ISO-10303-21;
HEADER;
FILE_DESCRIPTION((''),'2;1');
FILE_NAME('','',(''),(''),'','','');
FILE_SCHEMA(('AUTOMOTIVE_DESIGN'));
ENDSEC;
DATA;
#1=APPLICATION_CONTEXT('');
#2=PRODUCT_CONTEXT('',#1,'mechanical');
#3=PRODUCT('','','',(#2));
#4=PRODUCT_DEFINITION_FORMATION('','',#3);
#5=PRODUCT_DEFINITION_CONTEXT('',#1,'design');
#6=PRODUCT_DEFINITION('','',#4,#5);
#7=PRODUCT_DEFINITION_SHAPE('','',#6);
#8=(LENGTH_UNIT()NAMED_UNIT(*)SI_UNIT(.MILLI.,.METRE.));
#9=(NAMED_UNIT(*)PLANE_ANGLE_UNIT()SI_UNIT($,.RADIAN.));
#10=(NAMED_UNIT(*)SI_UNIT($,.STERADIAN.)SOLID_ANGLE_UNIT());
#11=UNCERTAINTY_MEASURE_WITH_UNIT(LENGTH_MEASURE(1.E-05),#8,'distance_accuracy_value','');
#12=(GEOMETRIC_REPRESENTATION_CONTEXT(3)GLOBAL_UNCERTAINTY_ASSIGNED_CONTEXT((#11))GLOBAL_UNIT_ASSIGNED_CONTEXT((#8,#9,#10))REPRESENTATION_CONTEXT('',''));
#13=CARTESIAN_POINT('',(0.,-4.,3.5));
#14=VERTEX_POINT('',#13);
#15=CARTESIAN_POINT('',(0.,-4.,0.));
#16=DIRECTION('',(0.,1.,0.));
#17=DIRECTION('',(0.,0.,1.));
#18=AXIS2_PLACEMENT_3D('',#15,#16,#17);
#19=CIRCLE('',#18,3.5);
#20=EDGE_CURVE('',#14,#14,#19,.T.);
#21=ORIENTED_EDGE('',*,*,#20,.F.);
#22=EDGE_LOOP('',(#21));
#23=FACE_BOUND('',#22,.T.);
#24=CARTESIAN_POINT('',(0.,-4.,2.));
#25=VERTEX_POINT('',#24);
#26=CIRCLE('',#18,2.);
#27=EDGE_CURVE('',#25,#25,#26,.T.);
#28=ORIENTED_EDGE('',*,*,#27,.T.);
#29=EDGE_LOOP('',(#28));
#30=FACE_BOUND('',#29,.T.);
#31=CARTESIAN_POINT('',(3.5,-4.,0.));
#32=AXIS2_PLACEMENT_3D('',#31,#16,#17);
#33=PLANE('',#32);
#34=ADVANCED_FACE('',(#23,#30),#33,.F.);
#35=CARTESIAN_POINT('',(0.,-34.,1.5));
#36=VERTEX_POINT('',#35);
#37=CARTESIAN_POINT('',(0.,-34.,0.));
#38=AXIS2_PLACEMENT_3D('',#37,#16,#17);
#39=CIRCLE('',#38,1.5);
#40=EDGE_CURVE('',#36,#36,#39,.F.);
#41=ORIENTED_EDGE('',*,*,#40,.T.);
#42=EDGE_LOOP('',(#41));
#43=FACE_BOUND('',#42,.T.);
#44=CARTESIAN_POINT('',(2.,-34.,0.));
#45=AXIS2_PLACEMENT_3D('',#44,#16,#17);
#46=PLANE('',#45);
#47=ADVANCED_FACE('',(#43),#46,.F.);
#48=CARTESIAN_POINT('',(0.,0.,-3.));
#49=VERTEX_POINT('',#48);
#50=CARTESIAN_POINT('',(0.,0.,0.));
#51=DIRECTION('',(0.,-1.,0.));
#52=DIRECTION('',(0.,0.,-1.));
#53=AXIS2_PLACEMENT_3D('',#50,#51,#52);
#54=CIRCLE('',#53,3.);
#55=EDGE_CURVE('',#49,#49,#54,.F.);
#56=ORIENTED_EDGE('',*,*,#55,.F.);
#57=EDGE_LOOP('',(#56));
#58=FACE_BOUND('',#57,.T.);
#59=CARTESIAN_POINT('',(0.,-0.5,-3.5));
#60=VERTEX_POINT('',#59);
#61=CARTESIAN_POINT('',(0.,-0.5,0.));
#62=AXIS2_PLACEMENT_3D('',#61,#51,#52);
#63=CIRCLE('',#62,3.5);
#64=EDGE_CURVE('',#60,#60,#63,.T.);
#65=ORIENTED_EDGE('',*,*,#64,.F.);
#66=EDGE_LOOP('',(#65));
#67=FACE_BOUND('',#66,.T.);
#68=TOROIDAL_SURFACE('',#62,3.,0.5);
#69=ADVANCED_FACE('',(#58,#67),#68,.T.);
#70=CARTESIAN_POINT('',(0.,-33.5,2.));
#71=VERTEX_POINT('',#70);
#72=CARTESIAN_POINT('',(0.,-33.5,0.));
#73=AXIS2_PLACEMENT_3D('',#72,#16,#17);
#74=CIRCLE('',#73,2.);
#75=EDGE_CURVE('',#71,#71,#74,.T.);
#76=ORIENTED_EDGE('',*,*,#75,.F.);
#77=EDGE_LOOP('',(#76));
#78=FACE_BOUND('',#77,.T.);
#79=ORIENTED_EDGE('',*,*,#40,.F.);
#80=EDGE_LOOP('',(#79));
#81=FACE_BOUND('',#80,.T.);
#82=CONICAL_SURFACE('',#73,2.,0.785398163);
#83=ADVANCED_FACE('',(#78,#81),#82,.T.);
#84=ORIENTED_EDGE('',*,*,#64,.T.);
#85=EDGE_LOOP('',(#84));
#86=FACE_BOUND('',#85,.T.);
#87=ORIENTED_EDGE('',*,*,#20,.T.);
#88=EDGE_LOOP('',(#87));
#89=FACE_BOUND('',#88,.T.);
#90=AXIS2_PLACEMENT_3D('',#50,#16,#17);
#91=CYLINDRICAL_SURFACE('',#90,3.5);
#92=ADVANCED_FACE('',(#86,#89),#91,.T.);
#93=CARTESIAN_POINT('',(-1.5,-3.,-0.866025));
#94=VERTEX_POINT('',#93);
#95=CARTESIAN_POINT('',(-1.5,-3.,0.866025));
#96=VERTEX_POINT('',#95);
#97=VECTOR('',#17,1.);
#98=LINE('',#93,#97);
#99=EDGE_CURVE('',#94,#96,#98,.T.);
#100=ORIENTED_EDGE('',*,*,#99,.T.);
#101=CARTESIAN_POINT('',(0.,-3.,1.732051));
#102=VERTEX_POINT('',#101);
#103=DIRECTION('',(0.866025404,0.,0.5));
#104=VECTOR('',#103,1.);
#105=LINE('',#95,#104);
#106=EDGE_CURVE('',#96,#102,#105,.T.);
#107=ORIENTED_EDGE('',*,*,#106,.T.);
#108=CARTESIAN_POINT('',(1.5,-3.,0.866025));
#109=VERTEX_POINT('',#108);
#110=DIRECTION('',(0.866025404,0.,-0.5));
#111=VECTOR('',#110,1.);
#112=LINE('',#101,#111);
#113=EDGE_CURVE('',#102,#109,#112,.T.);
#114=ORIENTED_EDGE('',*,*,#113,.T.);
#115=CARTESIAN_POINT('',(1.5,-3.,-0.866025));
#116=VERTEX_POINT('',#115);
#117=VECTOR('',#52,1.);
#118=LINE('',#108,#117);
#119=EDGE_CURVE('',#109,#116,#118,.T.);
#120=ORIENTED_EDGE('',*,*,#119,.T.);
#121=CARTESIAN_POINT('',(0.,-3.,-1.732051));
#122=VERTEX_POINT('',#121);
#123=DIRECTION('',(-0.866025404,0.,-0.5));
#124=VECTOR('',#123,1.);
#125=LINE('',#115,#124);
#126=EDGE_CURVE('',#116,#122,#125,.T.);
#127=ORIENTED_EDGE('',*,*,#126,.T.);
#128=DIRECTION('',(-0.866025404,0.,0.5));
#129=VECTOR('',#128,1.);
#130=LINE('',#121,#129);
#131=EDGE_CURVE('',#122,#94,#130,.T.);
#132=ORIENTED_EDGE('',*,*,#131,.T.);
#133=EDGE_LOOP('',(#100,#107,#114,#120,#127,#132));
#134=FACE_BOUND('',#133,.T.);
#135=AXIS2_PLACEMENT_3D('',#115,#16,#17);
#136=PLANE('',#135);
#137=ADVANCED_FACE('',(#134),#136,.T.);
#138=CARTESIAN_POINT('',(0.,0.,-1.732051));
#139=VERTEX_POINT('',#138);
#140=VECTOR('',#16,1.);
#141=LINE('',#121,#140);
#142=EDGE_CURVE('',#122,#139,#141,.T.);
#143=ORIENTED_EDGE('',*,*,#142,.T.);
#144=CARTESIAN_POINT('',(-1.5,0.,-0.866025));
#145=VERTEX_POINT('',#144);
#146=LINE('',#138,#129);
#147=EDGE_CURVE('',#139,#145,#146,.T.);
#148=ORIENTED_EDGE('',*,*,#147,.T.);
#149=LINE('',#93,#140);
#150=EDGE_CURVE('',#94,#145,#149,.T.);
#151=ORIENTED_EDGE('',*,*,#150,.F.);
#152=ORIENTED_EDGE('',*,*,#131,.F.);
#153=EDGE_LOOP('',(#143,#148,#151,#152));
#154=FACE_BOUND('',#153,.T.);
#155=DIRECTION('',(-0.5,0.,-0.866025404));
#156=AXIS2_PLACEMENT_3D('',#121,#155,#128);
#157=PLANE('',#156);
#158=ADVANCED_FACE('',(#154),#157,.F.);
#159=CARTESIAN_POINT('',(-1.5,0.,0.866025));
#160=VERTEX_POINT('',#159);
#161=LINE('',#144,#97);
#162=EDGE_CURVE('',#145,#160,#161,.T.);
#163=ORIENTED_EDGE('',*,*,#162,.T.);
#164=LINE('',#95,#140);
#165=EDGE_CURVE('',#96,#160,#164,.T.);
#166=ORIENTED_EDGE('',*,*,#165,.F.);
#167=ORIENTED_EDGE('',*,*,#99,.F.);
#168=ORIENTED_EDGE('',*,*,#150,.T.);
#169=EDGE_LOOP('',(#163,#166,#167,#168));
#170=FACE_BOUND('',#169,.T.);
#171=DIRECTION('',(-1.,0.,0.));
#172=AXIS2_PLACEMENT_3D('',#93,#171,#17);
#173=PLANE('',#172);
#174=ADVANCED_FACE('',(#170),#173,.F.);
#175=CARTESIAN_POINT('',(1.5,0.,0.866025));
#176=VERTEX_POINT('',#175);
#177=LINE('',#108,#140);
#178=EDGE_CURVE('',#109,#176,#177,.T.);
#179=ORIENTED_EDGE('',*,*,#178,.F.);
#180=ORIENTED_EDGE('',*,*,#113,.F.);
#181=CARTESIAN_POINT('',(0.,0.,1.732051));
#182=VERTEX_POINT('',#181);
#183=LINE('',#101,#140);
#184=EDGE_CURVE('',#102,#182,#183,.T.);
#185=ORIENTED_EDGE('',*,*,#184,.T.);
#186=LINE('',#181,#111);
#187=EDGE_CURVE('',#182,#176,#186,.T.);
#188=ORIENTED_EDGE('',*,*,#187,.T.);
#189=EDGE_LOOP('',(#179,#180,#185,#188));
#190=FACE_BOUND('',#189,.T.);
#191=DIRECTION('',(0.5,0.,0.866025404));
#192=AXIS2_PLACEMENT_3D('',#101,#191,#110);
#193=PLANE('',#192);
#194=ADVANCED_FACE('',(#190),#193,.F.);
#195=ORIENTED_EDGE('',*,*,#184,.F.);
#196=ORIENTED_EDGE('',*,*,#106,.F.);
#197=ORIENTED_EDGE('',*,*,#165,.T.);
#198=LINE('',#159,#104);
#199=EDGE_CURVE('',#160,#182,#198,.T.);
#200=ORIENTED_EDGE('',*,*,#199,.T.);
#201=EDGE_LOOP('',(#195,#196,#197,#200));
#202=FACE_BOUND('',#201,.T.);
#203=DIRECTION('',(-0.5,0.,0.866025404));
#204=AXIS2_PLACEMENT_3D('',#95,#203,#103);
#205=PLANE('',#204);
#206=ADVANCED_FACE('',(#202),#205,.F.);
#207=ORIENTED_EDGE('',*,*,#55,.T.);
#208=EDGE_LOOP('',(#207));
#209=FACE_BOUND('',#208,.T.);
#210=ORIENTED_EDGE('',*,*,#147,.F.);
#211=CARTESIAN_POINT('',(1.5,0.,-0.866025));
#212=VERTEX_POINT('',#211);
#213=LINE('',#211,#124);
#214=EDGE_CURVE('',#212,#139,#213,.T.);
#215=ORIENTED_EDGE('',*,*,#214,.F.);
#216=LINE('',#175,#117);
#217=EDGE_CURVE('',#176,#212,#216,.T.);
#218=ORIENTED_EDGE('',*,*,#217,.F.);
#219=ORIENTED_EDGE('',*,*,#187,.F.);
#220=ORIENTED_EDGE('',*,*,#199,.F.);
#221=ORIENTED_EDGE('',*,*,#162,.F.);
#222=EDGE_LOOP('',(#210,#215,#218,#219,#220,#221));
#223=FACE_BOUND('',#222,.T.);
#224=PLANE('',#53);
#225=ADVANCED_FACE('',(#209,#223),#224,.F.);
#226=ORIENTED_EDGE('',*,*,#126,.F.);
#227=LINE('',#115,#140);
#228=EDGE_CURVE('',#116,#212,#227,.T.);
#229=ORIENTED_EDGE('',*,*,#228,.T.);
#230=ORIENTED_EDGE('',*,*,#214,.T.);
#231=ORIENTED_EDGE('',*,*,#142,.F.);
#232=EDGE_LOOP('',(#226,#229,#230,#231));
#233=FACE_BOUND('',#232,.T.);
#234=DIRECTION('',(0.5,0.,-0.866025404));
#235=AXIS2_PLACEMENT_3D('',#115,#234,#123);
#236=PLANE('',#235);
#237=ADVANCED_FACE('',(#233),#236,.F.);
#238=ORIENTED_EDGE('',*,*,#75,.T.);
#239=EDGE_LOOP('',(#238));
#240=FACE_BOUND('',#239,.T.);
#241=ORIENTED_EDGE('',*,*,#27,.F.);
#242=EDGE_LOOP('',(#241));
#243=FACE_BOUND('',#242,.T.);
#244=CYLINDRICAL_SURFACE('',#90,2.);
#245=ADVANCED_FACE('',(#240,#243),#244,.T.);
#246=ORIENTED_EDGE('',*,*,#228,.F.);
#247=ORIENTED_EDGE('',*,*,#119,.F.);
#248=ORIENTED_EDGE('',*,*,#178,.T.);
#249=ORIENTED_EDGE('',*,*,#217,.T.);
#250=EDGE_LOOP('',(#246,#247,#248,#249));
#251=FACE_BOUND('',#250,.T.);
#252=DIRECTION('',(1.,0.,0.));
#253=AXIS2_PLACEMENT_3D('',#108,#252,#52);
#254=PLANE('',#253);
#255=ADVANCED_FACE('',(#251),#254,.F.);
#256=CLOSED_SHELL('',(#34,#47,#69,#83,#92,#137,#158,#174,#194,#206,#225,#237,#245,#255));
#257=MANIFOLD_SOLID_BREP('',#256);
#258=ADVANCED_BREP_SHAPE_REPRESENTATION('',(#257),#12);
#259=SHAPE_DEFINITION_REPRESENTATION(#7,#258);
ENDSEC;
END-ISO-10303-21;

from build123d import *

# Parameters (mm, degrees)
CORTAR_EXTRUIR1_DEPTH = 3
CHAFL_N1_SIZE         = 0.5
REDONDEO1_R           = 0.5


with BuildPart() as part:
    # Croquis1 → Revolución1 (revolve)
    with BuildSketch(Plane.XY, mode=Mode.PRIVATE) as revoluci_n1_sk:
        Polygon((0, 0), (3.5, 0), (3.5, -4), (2, -4), (2, -34), (0, -34), align=None)
    revolve(revoluci_n1_sk.sketch.rotate(Axis((0, 0, 0), (0, -1, 0)), 90), axis=Axis((0, 0, 0), (0, -1, 0)))

    # Croquis2 → Cortar-Extruir1 (cut)
    with BuildSketch(Plane(origin=(0, 0, 0), x_dir=(1, 0, 0), z_dir=(0, 1, 0))):
        Polygon((1.5, 0.866025404), (0, 1.732050808), (-1.5, 0.866025404), (-1.5, -0.866025404), (0, -1.732050808), (1.5, -0.866025404), align=None)
    extrude(amount=-CORTAR_EXTRUIR1_DEPTH, mode=Mode.SUBTRACT)

    # Chaflán1
    chafl_n1_edges = [part.edges().sort_by_distance(p)[0] for p in [
        (0, -34, -2),
    ]]
    chamfer(chafl_n1_edges, length=CHAFL_N1_SIZE)

    # Redondeo1
    redondeo1_edges = [part.edges().sort_by_distance(p)[0] for p in [
        (0, 0, -3.5),
    ]]
    fillet(redondeo1_edges, radius=REDONDEO1_R)


solid = part.part
